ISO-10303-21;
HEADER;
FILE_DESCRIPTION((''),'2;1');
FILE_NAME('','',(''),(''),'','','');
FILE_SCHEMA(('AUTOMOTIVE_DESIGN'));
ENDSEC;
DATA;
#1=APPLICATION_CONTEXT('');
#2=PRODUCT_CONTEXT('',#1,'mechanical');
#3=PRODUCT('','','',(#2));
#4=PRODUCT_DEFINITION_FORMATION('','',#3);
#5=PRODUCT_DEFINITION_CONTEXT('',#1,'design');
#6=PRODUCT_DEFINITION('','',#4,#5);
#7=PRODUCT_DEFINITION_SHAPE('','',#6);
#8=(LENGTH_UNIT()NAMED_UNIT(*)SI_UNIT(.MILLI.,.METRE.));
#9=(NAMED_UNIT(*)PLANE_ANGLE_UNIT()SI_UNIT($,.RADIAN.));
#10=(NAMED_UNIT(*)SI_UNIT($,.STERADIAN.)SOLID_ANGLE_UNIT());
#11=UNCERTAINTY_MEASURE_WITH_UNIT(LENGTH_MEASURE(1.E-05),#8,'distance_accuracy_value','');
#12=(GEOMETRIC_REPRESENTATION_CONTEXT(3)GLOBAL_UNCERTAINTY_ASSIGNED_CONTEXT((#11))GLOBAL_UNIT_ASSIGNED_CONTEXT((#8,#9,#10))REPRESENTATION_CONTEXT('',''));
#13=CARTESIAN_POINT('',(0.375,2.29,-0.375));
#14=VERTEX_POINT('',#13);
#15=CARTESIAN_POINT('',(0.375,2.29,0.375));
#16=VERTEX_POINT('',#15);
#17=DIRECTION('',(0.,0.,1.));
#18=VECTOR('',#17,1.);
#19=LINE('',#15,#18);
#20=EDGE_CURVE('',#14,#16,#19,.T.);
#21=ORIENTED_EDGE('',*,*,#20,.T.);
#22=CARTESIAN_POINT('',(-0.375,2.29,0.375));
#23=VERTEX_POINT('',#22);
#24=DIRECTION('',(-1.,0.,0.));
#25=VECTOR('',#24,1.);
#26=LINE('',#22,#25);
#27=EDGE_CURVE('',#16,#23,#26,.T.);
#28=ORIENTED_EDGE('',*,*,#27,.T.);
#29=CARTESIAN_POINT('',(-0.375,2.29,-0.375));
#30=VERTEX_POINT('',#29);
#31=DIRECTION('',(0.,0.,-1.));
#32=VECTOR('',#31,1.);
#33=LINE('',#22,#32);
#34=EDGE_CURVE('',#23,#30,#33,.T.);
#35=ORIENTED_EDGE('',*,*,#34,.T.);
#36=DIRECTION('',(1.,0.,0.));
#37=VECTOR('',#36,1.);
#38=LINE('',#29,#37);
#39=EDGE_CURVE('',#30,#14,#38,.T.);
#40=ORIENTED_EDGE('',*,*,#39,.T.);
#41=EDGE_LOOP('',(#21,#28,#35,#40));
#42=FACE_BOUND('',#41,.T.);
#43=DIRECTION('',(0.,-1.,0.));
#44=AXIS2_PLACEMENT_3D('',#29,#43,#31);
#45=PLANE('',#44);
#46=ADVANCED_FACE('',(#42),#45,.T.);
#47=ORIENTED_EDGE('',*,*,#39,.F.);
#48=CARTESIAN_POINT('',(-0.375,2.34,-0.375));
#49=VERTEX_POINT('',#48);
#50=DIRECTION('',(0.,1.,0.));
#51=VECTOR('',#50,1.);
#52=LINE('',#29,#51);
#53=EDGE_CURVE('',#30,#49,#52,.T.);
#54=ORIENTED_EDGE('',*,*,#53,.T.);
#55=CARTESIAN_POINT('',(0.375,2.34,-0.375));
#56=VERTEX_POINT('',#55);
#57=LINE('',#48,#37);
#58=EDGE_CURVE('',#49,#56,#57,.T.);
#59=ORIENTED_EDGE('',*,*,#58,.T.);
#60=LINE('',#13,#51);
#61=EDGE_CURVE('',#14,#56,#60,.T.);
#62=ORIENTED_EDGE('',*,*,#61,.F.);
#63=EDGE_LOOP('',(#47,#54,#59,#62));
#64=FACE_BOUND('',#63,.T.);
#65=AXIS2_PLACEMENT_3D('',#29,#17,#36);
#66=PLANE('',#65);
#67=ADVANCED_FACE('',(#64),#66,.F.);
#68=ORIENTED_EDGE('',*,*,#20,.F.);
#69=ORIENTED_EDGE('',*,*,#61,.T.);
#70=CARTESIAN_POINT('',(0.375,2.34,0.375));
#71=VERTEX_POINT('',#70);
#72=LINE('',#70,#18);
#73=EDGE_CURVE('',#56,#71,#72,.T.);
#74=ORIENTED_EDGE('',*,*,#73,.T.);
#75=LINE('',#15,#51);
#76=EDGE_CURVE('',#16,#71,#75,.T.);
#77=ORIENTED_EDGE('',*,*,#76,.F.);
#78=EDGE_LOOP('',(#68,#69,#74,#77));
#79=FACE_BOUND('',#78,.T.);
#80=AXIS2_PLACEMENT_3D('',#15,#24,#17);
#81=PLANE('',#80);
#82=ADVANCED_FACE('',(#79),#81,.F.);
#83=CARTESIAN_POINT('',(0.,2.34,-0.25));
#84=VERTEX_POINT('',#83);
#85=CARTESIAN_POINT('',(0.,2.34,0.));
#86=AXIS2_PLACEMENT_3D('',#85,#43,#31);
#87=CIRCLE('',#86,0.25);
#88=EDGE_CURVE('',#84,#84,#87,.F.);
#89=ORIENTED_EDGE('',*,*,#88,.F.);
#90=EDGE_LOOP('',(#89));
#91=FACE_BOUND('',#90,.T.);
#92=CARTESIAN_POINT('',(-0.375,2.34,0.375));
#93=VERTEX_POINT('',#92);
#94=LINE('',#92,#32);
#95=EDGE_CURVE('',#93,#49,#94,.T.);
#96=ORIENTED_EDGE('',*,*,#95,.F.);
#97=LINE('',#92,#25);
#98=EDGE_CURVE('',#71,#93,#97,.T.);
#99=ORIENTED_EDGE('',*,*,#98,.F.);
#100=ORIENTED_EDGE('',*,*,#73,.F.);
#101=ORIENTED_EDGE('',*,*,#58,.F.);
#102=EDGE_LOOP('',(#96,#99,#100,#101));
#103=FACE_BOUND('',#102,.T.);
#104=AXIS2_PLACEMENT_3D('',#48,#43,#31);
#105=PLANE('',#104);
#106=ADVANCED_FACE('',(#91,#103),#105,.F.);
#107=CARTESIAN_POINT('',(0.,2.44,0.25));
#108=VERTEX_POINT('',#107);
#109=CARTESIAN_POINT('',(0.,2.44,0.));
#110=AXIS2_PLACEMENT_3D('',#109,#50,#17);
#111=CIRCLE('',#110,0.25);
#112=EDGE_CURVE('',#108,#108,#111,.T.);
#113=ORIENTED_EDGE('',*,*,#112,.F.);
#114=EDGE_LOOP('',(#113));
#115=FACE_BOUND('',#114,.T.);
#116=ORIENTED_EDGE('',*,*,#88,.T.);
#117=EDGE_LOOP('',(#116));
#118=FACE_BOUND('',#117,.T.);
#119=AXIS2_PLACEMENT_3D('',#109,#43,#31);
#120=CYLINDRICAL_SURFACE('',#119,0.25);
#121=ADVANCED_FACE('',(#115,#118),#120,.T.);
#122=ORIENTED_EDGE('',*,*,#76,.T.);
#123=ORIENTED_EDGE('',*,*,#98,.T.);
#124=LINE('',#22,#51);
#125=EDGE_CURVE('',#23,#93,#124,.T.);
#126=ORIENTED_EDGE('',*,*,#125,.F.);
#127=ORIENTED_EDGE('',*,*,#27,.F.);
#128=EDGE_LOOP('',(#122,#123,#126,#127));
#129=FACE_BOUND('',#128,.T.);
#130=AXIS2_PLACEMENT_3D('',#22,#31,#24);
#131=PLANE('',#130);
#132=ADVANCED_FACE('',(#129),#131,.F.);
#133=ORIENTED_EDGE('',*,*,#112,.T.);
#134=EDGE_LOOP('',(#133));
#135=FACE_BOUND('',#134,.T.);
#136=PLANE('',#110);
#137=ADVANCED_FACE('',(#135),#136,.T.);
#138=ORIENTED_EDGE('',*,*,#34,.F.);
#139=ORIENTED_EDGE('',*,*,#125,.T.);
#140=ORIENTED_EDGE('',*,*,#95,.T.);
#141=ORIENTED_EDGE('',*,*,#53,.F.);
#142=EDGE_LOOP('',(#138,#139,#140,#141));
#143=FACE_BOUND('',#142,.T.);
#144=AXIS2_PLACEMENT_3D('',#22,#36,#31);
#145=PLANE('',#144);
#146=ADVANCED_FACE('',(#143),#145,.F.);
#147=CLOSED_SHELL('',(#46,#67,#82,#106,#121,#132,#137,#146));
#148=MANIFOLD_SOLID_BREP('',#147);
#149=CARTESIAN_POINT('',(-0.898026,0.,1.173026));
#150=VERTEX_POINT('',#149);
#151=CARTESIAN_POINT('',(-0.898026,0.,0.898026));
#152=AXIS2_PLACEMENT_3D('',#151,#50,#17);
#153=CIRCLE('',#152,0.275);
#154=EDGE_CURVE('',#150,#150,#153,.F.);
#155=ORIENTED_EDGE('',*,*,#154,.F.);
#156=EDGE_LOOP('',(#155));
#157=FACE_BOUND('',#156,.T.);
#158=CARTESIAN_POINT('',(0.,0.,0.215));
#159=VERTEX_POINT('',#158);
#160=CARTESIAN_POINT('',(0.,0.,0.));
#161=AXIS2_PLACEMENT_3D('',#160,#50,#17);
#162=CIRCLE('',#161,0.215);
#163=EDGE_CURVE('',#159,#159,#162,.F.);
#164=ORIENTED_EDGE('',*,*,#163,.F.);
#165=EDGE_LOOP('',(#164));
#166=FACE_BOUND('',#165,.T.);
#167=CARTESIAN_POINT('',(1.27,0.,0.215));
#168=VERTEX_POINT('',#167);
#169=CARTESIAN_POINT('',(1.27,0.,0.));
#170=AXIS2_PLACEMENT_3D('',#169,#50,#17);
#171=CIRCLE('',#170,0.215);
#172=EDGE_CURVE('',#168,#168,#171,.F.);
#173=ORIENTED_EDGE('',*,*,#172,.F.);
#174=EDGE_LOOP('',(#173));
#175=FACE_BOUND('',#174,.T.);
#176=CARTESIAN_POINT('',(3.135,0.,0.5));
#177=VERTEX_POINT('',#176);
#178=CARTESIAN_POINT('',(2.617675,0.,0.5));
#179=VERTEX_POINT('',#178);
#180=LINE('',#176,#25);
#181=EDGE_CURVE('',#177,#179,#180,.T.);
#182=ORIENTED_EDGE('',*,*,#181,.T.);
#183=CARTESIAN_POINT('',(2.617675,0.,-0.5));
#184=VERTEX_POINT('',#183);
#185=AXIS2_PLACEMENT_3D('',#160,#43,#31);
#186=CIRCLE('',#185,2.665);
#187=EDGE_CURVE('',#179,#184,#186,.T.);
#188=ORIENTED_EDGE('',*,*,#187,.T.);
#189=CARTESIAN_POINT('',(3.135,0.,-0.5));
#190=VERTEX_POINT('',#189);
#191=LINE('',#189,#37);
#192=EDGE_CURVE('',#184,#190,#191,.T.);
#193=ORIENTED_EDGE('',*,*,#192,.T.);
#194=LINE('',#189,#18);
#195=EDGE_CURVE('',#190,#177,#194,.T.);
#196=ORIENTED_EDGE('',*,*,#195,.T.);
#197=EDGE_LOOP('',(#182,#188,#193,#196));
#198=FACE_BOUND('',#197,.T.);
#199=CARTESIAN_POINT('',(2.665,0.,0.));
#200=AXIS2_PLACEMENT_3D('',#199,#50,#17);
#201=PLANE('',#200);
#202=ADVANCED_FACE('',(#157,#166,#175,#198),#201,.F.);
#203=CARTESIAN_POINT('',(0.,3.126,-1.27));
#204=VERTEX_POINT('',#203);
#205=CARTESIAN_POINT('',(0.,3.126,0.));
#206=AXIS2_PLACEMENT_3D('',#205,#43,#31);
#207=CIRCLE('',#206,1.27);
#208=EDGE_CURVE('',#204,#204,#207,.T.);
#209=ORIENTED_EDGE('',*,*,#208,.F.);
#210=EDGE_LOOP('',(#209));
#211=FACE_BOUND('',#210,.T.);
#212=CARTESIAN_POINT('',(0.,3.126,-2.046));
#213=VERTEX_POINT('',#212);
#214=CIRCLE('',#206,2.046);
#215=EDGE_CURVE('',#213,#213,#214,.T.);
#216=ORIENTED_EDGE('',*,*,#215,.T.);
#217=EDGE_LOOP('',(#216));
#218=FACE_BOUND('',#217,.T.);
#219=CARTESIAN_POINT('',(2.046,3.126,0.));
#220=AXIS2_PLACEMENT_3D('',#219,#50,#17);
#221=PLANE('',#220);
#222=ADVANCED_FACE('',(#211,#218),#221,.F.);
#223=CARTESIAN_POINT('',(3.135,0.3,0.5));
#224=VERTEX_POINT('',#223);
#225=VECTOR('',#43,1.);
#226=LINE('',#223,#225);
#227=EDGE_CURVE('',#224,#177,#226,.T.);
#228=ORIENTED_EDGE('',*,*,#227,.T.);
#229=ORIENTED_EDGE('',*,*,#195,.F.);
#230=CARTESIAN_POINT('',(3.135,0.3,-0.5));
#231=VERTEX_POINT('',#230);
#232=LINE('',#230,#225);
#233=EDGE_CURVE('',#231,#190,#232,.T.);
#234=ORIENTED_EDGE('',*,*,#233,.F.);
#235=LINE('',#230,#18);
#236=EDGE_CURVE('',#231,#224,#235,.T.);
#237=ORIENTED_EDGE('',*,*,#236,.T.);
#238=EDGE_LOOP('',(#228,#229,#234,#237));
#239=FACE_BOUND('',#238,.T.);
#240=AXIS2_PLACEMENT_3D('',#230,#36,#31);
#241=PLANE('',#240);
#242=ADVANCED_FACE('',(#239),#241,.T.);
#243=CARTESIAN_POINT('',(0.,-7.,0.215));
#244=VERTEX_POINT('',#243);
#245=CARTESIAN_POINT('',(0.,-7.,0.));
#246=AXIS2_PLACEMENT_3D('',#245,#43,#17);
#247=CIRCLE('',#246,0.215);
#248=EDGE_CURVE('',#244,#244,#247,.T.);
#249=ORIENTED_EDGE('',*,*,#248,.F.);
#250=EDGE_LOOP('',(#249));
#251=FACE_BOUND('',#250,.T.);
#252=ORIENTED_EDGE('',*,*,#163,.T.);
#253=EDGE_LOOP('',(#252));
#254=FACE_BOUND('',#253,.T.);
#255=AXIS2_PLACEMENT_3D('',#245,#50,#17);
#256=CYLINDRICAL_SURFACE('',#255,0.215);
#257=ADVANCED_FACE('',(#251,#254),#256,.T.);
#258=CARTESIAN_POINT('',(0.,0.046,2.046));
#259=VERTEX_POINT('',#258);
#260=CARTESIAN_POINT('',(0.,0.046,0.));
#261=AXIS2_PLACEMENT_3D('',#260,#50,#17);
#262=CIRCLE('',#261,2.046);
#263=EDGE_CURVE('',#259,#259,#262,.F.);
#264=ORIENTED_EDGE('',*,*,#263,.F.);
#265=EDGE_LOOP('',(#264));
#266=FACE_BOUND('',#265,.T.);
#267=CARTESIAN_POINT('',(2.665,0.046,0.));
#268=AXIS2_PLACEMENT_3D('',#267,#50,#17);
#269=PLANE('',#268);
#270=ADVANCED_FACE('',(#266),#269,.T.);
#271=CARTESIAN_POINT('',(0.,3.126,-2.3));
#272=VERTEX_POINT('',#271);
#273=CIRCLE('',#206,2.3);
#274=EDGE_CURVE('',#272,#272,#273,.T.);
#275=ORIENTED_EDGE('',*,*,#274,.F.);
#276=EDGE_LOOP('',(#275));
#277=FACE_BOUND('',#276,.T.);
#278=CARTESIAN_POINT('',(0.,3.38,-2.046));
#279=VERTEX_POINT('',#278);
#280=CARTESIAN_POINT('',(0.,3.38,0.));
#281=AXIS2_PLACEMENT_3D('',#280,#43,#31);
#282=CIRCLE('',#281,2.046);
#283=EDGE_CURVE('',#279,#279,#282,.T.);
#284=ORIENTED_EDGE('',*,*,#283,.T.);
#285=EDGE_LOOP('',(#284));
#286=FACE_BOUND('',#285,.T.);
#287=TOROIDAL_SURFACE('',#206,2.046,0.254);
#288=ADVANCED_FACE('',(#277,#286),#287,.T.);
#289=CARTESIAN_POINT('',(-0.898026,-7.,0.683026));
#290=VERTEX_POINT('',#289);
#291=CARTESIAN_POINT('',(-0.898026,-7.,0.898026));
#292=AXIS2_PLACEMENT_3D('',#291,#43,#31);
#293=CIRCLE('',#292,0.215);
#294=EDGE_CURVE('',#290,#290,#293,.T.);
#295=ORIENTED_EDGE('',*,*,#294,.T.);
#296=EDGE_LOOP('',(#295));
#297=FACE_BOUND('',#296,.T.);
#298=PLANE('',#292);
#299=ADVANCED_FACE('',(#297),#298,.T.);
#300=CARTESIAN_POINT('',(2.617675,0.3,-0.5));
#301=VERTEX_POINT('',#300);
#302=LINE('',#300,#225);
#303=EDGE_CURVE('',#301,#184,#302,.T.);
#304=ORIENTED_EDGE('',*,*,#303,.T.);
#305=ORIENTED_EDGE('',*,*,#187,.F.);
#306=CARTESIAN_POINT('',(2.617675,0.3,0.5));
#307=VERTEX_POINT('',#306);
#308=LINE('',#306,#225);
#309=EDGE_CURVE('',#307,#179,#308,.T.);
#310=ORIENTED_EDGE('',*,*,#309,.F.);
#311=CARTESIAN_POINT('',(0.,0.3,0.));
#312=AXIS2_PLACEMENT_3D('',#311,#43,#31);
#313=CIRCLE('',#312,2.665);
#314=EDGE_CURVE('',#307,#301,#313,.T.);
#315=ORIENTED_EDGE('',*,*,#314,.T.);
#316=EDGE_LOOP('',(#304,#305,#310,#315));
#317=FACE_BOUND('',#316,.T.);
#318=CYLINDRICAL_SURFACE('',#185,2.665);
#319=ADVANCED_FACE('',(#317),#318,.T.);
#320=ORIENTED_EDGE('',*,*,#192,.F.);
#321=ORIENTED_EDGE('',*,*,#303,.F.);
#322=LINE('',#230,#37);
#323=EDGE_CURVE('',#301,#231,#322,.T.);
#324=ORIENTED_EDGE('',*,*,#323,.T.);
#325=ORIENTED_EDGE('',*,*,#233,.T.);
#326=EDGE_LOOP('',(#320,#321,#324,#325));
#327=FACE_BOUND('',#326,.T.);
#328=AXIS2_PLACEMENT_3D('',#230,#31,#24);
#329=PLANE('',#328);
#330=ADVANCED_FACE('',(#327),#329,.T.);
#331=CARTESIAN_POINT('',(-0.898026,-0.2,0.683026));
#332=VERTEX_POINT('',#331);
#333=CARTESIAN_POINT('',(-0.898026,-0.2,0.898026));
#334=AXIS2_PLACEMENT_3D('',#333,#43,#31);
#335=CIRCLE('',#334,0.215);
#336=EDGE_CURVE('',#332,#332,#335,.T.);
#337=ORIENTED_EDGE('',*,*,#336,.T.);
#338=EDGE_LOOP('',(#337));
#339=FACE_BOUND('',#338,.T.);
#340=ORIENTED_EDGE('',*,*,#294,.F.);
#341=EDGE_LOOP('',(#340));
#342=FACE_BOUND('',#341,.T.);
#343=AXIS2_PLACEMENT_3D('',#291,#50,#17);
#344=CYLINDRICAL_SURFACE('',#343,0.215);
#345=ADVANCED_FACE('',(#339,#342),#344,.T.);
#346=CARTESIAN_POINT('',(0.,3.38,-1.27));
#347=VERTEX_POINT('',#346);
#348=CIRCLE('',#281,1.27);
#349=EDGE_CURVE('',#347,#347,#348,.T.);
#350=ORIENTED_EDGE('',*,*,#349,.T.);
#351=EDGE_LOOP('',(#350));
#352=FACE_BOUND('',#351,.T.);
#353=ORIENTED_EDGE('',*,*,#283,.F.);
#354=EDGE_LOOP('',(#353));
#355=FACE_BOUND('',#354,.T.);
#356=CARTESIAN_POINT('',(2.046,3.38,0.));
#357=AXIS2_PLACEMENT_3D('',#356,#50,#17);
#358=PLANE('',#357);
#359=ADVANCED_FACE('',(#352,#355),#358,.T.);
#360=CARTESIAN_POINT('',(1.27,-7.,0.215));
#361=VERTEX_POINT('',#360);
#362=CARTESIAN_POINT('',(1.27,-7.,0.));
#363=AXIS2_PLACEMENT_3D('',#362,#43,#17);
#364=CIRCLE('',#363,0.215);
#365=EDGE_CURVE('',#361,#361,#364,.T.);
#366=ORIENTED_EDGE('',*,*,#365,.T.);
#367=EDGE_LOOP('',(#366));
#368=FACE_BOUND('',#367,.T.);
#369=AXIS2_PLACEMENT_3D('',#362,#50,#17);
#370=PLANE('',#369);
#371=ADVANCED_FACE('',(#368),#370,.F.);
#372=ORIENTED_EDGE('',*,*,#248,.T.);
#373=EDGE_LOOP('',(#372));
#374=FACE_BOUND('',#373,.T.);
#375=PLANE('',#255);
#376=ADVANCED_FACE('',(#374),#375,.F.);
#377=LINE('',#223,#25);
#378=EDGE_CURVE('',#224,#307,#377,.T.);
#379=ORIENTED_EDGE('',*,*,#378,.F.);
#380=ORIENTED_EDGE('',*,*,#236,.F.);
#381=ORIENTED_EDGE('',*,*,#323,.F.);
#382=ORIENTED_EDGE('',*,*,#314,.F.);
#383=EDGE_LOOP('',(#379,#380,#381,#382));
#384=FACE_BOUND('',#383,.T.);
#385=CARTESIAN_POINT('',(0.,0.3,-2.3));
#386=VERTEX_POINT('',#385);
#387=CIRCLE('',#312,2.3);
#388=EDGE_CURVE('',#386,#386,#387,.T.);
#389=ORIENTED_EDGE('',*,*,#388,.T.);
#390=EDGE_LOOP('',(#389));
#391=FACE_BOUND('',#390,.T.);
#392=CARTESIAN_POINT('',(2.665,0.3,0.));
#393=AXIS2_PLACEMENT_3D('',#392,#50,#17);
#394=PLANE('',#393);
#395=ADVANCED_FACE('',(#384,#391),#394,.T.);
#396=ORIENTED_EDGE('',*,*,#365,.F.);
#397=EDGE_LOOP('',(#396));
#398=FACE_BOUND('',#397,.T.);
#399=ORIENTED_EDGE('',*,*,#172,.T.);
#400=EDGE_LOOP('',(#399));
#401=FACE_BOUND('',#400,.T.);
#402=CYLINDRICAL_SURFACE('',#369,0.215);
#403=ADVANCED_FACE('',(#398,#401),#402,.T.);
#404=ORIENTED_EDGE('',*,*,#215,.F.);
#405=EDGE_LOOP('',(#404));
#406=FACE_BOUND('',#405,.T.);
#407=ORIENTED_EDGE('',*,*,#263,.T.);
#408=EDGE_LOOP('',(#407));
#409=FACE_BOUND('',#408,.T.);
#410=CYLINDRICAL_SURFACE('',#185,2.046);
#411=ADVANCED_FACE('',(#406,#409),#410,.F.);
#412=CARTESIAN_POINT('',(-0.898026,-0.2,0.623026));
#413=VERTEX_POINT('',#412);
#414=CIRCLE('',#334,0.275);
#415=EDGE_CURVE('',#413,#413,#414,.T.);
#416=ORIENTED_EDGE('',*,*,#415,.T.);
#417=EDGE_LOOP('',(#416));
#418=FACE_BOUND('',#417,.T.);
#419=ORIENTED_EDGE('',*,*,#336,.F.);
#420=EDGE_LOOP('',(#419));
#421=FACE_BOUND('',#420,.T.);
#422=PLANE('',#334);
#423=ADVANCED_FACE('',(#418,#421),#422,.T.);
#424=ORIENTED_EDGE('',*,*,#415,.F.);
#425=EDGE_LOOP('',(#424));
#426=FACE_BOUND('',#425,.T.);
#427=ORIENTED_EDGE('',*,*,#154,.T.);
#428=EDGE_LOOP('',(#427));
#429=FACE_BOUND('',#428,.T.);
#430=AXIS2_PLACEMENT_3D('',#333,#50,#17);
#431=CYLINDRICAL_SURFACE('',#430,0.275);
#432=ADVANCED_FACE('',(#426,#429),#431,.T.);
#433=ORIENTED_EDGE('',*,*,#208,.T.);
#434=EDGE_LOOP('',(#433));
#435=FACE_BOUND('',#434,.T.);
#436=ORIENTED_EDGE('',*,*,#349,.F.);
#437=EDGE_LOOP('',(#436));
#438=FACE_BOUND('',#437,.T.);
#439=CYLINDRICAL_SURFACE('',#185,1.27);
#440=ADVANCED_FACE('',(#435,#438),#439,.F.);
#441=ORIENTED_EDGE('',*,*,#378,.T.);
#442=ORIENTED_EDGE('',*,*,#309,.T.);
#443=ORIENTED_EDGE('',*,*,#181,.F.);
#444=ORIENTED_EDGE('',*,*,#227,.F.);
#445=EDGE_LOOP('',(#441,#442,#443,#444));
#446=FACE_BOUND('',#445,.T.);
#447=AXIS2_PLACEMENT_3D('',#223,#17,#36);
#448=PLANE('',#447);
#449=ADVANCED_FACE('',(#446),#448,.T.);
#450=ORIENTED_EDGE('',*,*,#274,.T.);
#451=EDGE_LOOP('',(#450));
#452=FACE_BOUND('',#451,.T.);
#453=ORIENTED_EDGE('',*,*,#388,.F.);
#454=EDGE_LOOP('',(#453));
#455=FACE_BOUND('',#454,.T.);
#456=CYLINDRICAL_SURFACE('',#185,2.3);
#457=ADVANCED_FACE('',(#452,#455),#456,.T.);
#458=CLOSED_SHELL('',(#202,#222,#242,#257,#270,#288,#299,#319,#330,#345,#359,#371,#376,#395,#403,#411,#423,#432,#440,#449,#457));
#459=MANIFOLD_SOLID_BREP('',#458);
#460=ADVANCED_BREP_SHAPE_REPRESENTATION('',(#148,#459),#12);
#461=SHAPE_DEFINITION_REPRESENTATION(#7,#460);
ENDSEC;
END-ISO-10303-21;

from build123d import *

# Parameters (mm, degrees)
SKETCH2_R           = 2.665
BOSS_EXTRUDE1_DEPTH = 0.046
BOSS_EXTRUDE2_START = -2.34
SKETCH3_W           = 0.75
SKETCH3_H           = 0.75
BOSS_EXTRUDE2_DEPTH = 0.05
SKETCH8_R           = 0.25
BOSS_EXTRUDE6_DEPTH = 0.1
SKETCH5_R           = 0.215
BOSS_EXTRUDE4_DEPTH = 7
SKETCH7_R           = 0.275
BOSS_EXTRUDE5_DEPTH = 0.2
SKETCH10_W          = 0.517324504
SKETCH10_H          = 1
BOSS_EXTRUDE7_DEPTH = 0.3


with BuildPart() as part:
    # Sketch1 → Revolve-Thin2 (revolve)
    with BuildSketch(Plane.XY, mode=Mode.PRIVATE) as revolve_thin2_sk:
        with BuildLine():
            Line((2.665, 0), (2.665, 0.3))
            Line((2.665, 0.3), (2.3, 0.3))
            Line((2.3, 0.3), (2.3, 3.126))
            ThreePointArc((2.3, 3.126), (2.225605122, 3.305605122), (2.046, 3.38))
            Line((2.046, 3.38), (1.27, 3.38))
            Line((1.27, 3.38), (1.27, 3.126))
            Line((1.27, 3.126), (2.046, 3.126))
            Line((2.046, 3.126), (2.046, 0.046))
            Line((2.046, 0.046), (2.411, 0.046))
            Line((2.411, 0.046), (2.411, 0))
            Line((2.411, 0), (2.665, 0))
        make_face()
    revolve(revolve_thin2_sk.sketch.rotate(Axis((0, 0, 0), (0, 1, 0)), 90), axis=Axis((0, 0, 0), (0, 1, 0)))  # turned: the seam where the file's is

    # Sketch2 → Boss-Extrude1 (add)
    with BuildSketch(Plane.XZ):
        with Locations(Location((0, 0, 0), (0, 0, 270))):  # turned: the seam where the file's is
            Circle(SKETCH2_R)
    extrude(amount=-BOSS_EXTRUDE1_DEPTH)

    # Sketch5 → Boss-Extrude4 (add)
    with BuildSketch(Plane.XZ):
        with Locations(Location((0, 0, 0), (0, 0, 90))):  # turned: the seam where the file's is
            Circle(SKETCH5_R)
        with Locations(Location((1.27, 0, 0), (0, 0, 90))):  # turned: the seam where the file's is
            Circle(SKETCH5_R)
        with Locations(Location((-0.898025612, 0.898025612, 0), (0, 0, 90))):  # turned: the seam where the file's is
            Circle(SKETCH5_R)
    extrude(amount=BOSS_EXTRUDE4_DEPTH)

    # Sketch7 → Boss-Extrude5 (add)
    with BuildSketch(Plane.XZ):
        with Locations(Location((-0.898025612, 0.898025612, 0), (0, 0, 90))):  # turned: the seam where the file's is
            Circle(SKETCH7_R)
    extrude(amount=BOSS_EXTRUDE5_DEPTH)

    # Sketch10 → Boss-Extrude7 (add)
    with BuildSketch(Plane.XZ):
        with Locations((2.876337748, 0)):
            Rectangle(SKETCH10_W, SKETCH10_H)
    extrude(amount=-BOSS_EXTRUDE7_DEPTH)


with BuildPart() as body_2:
    # Sketch3 → Boss-Extrude2 (new body)
    with BuildSketch(Plane.XZ.offset(BOSS_EXTRUDE2_START)):
        Rectangle(SKETCH3_W, SKETCH3_H)
    extrude(amount=BOSS_EXTRUDE2_DEPTH)

    # Sketch8 → Boss-Extrude6 (add)
    with BuildSketch(Plane(origin=(0, 2.34, 0), x_dir=(-1, 0, 0), z_dir=(0, 1, 0))):
        with Locations(Location((0, 0, 0), (0, 0, 270))):  # turned: the seam where the file's is
            Circle(SKETCH8_R)
    extrude(amount=BOSS_EXTRUDE6_DEPTH)


solid = Compound([part.part, body_2.part])
